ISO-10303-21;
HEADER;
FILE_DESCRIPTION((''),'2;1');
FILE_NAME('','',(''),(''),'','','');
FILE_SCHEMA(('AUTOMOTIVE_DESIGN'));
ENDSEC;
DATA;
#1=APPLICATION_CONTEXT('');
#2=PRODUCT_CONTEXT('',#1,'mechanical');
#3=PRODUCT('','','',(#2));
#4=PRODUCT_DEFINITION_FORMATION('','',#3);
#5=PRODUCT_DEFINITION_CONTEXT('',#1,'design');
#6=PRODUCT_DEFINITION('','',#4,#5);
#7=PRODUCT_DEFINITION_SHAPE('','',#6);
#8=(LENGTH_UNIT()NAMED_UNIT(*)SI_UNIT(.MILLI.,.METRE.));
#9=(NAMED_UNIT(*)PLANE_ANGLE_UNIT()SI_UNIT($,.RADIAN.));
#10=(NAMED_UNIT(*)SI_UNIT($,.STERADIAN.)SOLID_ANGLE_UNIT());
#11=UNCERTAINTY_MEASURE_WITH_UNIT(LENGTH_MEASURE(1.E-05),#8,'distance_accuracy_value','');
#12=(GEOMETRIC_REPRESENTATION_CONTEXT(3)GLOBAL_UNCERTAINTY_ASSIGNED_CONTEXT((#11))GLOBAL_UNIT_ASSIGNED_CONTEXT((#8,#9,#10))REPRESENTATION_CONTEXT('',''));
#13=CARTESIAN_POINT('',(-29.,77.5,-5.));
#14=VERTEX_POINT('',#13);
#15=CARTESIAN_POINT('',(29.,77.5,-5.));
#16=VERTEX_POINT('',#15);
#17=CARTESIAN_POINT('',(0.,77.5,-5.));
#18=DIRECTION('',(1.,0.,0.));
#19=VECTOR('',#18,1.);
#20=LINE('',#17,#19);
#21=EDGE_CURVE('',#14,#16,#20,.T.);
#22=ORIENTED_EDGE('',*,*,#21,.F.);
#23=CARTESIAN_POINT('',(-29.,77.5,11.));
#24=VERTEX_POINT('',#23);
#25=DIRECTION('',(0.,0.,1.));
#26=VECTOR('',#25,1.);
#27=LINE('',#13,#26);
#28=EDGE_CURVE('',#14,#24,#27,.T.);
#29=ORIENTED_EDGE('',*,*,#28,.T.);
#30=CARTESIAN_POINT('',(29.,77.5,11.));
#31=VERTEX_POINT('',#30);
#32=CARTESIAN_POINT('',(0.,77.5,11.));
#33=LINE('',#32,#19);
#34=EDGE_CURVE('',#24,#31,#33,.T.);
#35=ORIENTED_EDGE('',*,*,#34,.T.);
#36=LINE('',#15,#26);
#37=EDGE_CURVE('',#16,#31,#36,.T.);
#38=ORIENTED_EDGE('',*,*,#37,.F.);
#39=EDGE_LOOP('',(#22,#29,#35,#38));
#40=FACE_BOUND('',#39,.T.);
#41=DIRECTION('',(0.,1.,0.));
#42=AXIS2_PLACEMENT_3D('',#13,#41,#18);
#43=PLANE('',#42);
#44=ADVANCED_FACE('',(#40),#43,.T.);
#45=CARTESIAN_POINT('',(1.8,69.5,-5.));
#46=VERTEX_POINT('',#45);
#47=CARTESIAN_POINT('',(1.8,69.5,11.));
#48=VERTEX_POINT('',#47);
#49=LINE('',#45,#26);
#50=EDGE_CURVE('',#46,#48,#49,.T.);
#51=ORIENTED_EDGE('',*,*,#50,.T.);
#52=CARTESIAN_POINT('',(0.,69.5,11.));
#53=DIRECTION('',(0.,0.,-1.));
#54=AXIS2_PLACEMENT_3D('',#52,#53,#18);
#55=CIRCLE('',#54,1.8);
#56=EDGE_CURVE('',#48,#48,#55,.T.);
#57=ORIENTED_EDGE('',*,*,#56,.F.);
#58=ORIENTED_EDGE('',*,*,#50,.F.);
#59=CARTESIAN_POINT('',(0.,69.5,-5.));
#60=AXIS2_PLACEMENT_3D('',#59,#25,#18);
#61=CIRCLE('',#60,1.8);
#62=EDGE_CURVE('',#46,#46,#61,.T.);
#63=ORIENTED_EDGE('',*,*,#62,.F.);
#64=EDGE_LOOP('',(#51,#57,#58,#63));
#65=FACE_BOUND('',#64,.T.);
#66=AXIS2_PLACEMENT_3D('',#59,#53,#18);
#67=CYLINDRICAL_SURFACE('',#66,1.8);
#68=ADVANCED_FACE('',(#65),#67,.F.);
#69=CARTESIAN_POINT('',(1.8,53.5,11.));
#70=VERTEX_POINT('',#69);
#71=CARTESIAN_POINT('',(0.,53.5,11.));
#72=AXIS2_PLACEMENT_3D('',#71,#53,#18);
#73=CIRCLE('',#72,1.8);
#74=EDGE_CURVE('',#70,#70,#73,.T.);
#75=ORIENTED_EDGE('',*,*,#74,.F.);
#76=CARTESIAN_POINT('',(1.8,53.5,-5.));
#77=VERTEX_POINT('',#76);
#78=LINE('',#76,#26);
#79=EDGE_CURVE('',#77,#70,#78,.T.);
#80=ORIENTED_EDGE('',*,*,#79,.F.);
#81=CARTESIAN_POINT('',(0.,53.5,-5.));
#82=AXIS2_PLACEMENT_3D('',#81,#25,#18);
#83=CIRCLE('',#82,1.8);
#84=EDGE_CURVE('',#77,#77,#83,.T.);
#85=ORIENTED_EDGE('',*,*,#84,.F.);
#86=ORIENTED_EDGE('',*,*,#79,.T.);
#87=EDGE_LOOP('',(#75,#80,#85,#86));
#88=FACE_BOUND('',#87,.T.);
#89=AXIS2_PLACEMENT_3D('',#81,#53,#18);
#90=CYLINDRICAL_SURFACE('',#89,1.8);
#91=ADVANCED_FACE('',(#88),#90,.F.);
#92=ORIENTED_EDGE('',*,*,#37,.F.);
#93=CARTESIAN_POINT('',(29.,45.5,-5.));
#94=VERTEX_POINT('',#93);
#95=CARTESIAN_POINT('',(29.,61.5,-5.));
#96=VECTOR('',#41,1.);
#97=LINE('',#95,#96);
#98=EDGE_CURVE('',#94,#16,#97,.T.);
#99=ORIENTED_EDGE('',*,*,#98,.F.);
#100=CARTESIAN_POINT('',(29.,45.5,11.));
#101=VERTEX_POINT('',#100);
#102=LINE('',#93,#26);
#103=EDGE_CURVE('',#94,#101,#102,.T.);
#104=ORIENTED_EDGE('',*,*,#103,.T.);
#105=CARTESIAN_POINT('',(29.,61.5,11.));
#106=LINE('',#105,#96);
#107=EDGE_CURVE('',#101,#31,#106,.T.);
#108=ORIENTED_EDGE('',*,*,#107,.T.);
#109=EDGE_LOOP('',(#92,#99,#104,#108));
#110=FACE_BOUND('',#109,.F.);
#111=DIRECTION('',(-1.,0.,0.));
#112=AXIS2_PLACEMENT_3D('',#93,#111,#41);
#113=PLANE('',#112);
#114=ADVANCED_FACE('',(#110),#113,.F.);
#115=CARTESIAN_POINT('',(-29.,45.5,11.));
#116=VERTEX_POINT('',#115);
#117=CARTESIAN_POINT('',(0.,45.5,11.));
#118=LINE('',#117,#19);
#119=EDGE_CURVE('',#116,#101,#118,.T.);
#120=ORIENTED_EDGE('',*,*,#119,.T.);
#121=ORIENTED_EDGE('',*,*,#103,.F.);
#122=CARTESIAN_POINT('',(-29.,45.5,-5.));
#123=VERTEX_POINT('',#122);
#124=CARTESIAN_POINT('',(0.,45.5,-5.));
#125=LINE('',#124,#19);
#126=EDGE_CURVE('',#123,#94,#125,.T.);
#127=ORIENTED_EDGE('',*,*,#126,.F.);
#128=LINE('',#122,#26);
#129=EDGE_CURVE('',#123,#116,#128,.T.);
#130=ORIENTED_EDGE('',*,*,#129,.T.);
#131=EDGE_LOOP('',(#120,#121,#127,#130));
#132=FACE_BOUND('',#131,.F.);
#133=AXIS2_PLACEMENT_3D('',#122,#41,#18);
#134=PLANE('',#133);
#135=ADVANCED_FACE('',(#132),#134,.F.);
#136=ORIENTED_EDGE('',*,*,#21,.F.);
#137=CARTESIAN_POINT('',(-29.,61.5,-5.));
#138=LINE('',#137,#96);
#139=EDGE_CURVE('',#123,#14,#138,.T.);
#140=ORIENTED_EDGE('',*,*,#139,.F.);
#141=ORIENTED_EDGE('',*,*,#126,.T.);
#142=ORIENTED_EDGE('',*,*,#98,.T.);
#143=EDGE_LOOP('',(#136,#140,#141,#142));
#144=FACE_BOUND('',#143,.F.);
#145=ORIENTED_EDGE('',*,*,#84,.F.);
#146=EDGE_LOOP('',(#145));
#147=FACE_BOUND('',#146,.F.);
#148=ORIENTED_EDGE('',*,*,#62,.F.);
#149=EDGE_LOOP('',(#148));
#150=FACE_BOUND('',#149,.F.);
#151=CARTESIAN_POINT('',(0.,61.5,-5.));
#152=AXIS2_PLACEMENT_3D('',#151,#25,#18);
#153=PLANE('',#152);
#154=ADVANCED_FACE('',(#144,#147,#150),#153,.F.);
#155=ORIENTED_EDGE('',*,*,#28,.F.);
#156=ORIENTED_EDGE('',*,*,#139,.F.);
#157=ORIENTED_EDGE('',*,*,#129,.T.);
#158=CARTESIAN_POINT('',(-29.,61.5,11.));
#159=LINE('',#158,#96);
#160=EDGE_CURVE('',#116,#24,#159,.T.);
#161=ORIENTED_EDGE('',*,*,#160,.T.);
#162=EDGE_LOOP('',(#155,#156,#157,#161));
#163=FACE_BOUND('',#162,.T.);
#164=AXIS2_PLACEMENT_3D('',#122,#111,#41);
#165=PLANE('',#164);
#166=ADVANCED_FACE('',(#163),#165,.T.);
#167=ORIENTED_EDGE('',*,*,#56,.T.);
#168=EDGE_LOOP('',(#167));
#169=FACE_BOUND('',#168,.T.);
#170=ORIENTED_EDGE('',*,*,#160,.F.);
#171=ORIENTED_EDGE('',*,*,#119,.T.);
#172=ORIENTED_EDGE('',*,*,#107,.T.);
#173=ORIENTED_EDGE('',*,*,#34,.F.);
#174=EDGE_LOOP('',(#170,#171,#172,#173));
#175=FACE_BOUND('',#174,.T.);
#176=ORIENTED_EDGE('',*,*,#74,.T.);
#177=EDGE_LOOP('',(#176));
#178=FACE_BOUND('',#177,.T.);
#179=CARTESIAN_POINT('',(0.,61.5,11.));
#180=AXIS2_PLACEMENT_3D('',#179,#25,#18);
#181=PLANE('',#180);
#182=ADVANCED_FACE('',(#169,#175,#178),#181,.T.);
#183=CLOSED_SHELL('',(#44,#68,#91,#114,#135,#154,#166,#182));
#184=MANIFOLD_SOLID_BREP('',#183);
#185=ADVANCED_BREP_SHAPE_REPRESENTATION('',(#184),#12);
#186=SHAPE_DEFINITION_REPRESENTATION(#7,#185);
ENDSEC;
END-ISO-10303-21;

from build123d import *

# Parameters (mm, degrees)
CYLINDER003_R     = 1.8
CYLINDER003_DEPTH = 50
ARRAY001_Y_COUNT  = 2
ARRAY001_Y_PITCH  = 16
BOX_W             = 58
BOX_H             = 32
BOX_DEPTH         = 16


with BuildPart() as bolt_hole_array:
    # Cylinder003 → Cylinder003 (new body)
    with BuildSketch(Plane.XY):
        Circle(CYLINDER003_R)
    extrude(amount=CYLINDER003_DEPTH)

    # Array001 Y: bolt hole array ×2


with BuildPart() as bolt_hole_array_1:
    add(bolt_hole_array.part)
    with Locations(*[(0, i * ARRAY001_Y_PITCH, 0) for i in range(1, ARRAY001_Y_COUNT)]):
        add(bolt_hole_array.part)


with BuildPart() as bolt_hole_array_2:
    # Array001 placement: moved
    add(bolt_hole_array_1.part.moved(Location((29, 8, 0))))


with BuildPart() as battery_mockup_cut:
    # Box → Box (new body)
    with BuildSketch(Plane.XY):
        with Locations((29, 16)):
            Rectangle(BOX_W, BOX_H)
    extrude(amount=BOX_DEPTH)

    # Cut002: cut bolt hole array
    add(bolt_hole_array_2.part, mode=Mode.SUBTRACT)


with BuildPart() as battery_mockup_cut_1:
    # Cut002 placement: moved
    add(battery_mockup_cut.part.moved(Location((-29, 45.5, -5))))


solid = battery_mockup_cut_1.part
